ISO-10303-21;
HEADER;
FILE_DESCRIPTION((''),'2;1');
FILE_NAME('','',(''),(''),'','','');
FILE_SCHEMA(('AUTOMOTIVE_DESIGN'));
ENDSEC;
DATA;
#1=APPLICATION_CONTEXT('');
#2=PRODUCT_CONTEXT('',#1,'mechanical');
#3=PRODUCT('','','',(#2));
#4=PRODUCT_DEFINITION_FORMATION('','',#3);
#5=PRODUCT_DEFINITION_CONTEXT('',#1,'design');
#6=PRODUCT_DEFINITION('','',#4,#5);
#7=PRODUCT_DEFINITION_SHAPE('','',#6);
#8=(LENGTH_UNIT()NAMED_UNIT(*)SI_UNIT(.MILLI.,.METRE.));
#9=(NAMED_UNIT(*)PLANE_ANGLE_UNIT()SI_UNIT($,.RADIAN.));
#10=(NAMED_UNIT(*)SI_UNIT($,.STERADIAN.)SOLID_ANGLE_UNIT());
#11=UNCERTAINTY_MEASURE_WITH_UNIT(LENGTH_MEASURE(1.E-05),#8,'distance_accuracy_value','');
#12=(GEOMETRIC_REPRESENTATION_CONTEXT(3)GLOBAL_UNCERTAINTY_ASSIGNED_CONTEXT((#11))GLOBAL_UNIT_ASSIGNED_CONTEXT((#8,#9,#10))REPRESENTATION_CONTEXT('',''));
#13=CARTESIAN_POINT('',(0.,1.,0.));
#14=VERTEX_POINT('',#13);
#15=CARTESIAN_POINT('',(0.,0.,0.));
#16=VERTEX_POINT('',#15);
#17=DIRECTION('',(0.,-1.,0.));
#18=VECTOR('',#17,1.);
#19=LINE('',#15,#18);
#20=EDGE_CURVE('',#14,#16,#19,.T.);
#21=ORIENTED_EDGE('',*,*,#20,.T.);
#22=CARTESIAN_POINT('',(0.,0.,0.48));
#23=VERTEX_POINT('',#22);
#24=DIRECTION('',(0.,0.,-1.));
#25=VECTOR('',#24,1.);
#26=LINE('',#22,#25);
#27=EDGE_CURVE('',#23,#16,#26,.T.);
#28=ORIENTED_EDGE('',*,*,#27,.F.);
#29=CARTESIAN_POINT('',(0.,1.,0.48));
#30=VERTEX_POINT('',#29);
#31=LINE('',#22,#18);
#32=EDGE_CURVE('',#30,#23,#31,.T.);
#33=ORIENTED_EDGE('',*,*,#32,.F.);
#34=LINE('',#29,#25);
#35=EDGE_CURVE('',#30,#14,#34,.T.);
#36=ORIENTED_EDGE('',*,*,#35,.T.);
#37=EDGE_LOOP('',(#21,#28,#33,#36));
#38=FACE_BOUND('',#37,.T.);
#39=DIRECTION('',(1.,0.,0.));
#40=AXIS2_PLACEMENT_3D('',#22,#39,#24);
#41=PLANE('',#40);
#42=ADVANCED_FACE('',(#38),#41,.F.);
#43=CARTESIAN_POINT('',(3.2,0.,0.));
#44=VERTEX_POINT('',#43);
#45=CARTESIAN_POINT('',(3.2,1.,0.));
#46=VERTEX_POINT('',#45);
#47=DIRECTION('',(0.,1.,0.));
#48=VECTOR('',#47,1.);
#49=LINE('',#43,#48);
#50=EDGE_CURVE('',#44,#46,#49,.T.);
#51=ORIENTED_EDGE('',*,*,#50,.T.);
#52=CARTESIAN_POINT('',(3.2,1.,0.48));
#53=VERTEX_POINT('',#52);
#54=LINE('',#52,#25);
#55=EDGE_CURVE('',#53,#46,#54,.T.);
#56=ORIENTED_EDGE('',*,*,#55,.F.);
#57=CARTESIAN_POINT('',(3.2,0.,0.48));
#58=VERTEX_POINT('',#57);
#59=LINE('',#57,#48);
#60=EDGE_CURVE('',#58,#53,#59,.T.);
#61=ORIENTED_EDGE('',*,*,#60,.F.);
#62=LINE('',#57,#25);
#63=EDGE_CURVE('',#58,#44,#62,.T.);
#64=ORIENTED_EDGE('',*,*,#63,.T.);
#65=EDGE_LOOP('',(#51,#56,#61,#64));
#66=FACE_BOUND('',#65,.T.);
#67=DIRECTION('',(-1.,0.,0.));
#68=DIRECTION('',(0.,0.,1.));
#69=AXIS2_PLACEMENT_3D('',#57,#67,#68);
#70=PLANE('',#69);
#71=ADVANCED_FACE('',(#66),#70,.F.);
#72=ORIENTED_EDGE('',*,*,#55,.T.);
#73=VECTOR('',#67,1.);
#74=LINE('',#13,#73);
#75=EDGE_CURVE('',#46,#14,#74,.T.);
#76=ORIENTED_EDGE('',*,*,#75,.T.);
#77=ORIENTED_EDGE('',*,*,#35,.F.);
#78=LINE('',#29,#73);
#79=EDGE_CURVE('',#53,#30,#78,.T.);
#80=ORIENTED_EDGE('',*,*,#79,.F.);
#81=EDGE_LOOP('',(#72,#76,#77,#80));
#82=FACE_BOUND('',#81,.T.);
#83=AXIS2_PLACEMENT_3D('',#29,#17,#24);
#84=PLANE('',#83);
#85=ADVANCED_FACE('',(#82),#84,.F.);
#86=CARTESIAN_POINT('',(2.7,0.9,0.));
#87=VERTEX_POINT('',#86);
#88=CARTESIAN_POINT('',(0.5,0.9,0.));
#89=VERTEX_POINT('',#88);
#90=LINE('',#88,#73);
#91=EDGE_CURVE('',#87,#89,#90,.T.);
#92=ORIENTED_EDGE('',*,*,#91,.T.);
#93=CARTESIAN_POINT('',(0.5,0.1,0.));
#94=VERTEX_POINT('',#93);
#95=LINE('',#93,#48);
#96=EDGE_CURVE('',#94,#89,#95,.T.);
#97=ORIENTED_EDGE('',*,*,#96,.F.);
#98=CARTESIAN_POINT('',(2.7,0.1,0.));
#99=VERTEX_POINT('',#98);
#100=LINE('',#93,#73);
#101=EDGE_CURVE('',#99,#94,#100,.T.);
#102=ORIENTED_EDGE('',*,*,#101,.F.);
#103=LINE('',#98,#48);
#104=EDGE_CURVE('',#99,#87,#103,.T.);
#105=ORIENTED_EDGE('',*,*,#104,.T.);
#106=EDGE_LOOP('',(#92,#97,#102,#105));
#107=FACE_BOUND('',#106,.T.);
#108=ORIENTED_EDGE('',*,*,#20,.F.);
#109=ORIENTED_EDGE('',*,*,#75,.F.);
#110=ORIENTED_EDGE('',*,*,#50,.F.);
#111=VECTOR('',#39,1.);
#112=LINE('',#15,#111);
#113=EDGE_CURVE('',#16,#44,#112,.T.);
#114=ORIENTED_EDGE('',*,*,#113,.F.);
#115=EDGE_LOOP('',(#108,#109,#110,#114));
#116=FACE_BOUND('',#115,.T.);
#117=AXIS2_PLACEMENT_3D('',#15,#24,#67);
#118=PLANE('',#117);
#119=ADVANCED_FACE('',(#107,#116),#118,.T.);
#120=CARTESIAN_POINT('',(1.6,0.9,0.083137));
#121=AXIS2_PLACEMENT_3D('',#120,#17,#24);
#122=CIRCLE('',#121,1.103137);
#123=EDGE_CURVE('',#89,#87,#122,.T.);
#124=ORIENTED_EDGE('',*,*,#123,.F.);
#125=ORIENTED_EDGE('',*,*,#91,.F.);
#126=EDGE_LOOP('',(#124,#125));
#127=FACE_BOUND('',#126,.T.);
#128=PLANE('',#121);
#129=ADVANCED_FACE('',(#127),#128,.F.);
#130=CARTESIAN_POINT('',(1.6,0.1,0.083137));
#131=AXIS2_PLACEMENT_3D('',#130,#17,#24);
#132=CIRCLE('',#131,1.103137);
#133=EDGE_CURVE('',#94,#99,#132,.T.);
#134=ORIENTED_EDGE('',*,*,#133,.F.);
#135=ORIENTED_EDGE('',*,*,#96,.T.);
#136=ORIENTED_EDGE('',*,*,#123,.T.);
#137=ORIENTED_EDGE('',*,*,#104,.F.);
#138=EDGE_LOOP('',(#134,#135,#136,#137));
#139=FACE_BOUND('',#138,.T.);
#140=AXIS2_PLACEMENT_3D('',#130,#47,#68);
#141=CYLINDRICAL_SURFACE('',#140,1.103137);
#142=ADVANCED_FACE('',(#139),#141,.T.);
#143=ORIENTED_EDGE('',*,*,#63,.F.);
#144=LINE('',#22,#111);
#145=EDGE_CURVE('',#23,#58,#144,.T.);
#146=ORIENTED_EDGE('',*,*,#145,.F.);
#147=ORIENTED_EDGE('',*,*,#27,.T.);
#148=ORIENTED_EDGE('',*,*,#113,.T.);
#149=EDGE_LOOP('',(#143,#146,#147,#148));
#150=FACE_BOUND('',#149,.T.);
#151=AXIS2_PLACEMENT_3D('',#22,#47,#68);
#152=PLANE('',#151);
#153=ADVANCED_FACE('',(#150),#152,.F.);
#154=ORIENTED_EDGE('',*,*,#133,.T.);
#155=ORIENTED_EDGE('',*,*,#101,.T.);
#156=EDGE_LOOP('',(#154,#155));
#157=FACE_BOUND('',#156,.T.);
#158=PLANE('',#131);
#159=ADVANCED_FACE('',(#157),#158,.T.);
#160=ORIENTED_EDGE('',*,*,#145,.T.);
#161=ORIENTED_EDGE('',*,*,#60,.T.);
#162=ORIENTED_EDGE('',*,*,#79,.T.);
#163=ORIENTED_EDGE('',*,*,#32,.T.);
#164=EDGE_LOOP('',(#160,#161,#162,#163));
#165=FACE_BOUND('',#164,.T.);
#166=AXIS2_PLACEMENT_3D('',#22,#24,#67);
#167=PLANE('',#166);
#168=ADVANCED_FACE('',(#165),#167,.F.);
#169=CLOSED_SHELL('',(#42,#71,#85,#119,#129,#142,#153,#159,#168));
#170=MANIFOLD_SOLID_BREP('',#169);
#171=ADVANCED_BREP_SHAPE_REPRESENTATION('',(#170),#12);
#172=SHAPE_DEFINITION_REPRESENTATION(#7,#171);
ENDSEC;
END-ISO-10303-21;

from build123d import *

# Parameters (mm, degrees)
SKETCH_1_W      = 3.2
SKETCH_1_H      = 1
EXTRUDE_1_DEPTH = 0.48
EXTRUDE_2_DEPTH = 0.4


with BuildPart() as part:
    # 草图1 → 凸台-拉伸1 (new body)
    with BuildSketch(Plane.XY):
        with Locations((1.6, 0.5)):
            Rectangle(SKETCH_1_W, SKETCH_1_H)
    extrude(amount=EXTRUDE_1_DEPTH)

    # 草图2 → 凸台-拉伸2 (add, symmetric)
    with BuildSketch(Plane(origin=(0, 0.5, 0), x_dir=(-1, 0, 0), z_dir=(0, -1, 0))):
        with BuildLine():
            Line((-0.5, 0), (-2.7, 0))
            ThreePointArc((-2.7, 0), (-1.6, 1.02), (-0.5, 0))
        make_face()
    extrude(amount=EXTRUDE_2_DEPTH, both=True)


solid = part.part
